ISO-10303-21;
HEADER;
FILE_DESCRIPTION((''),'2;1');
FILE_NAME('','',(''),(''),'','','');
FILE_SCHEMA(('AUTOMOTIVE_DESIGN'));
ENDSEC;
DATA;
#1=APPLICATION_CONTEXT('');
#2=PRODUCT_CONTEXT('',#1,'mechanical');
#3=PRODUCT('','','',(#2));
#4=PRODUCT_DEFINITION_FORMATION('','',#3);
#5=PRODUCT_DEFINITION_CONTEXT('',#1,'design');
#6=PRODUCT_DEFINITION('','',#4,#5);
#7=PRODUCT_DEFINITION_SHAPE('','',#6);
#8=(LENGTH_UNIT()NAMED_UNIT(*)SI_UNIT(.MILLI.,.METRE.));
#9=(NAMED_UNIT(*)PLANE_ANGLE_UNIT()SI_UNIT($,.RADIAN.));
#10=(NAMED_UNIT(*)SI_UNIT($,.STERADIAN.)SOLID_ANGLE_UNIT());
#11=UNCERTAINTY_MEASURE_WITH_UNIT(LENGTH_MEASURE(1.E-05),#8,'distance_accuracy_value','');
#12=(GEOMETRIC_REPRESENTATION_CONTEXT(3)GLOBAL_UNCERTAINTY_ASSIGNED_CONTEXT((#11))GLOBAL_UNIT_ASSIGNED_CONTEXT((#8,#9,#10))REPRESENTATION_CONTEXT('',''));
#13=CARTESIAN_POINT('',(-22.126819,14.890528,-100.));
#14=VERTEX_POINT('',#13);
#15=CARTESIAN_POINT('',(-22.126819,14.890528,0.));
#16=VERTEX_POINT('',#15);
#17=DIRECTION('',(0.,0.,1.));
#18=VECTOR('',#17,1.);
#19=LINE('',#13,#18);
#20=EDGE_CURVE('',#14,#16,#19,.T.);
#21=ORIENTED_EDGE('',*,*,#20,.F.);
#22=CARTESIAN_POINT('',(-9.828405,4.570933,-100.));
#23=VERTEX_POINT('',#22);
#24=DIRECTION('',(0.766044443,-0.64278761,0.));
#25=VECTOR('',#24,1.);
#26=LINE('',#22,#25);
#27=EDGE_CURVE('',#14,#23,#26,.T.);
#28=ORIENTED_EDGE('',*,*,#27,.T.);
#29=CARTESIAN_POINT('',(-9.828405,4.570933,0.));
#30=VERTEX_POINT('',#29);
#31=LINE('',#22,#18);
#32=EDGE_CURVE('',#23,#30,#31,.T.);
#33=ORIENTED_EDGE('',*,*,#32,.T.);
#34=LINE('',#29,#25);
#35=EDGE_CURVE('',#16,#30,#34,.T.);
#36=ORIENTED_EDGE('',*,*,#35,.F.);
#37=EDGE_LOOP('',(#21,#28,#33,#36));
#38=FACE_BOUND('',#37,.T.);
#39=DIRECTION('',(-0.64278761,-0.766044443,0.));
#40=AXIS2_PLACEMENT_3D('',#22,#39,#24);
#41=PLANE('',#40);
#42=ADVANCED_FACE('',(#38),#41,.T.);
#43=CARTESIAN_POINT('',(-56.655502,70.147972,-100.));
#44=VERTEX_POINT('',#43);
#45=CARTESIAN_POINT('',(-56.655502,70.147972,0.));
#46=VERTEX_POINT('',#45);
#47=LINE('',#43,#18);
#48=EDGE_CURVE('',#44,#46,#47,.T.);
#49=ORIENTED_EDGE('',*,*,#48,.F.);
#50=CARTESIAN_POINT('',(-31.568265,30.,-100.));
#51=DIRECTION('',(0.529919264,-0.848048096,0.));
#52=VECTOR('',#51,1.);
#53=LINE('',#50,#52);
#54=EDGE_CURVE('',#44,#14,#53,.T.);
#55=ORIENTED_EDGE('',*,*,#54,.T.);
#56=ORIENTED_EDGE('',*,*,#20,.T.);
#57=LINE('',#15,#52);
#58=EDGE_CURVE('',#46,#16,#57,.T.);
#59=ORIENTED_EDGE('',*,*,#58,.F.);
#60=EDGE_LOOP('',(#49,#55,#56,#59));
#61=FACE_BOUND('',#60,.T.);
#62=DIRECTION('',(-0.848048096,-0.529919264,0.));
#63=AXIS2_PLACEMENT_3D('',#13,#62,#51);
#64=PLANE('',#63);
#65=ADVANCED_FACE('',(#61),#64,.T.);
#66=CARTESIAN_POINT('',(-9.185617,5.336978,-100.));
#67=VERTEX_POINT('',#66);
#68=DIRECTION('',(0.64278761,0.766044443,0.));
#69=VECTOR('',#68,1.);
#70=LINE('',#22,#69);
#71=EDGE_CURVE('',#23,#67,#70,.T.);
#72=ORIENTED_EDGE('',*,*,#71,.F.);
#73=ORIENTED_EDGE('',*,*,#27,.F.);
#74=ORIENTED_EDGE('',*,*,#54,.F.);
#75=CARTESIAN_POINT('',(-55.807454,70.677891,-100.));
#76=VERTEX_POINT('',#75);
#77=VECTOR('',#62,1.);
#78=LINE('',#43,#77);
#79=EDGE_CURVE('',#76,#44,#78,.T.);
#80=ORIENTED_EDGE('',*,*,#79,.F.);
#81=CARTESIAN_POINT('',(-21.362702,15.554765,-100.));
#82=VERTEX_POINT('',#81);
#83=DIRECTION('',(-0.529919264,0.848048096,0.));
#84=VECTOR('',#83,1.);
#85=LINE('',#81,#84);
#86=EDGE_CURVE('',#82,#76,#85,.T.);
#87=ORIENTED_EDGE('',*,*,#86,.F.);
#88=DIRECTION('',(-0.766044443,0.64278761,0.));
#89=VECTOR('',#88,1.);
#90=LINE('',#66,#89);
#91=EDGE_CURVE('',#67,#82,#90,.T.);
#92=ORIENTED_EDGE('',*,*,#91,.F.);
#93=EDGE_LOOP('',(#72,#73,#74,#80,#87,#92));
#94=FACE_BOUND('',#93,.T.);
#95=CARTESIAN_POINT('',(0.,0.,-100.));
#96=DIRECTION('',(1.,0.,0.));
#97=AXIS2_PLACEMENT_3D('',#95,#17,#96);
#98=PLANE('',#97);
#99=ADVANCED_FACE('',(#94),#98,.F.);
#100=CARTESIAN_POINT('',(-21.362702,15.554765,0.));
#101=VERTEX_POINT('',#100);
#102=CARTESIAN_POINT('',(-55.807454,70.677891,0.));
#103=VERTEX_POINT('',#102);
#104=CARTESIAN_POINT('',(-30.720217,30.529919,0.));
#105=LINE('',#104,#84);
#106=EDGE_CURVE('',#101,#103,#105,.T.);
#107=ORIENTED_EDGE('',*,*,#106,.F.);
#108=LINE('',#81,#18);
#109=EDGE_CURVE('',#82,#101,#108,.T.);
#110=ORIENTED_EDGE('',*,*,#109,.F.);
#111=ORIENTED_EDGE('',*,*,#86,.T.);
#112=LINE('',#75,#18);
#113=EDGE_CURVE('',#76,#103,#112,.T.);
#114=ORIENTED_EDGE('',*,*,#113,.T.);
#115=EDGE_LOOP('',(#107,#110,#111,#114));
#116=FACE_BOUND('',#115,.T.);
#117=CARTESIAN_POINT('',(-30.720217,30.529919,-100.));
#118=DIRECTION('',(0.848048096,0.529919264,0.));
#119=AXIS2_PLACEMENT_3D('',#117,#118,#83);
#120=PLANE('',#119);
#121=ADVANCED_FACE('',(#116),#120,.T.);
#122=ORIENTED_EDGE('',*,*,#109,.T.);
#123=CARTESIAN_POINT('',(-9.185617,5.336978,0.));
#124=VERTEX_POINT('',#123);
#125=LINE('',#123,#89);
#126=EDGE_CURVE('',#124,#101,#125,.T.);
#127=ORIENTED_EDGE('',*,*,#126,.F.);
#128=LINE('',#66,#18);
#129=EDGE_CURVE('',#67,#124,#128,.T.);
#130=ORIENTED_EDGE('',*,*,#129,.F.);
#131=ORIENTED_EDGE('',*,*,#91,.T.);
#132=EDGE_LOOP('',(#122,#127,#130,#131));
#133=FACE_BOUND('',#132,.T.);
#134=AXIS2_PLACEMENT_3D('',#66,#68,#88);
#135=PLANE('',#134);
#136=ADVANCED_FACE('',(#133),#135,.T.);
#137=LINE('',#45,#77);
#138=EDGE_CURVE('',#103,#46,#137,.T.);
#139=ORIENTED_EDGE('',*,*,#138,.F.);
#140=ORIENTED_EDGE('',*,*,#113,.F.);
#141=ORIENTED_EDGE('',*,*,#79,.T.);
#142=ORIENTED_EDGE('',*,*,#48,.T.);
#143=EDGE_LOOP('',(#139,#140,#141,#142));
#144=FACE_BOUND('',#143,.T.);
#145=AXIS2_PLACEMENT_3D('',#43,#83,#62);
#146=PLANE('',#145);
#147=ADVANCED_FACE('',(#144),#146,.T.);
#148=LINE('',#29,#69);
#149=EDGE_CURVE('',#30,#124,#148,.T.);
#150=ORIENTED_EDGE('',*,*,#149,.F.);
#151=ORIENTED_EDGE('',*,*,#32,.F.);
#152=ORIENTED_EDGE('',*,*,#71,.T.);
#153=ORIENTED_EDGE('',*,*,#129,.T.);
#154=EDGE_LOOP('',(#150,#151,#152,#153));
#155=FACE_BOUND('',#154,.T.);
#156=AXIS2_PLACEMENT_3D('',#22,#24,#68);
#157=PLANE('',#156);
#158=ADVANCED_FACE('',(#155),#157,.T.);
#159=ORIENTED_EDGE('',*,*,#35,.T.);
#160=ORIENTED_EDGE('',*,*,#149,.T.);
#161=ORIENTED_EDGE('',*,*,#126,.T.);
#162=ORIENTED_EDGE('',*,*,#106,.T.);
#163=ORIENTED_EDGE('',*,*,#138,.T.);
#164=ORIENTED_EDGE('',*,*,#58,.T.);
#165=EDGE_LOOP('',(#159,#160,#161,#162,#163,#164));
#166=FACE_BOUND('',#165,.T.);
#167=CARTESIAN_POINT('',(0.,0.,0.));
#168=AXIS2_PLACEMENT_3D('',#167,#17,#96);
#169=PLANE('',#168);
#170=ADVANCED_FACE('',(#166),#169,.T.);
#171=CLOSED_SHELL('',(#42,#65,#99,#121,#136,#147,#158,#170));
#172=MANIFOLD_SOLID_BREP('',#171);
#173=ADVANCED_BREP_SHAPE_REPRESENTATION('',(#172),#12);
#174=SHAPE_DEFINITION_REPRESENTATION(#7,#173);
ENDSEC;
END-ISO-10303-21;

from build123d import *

# Parameters (mm, degrees)
RESSALTO_EXTRUS_O1_DEPTH = 100


with BuildPart() as part:
    # Esboço1 → Ressalto-extrusão1 (new body)
    with BuildSketch(Plane.XY):
        Polygon((-9.828405069, 4.570933406), (-22.126818959, 14.890527965), (-31.568264957, 30), (-56.655502101, 70.147971839), (-55.807454005, 70.677891103), (-30.720216861, 30.529919264), (-21.362701829, 15.554764853), (-9.18561746, 5.336977849), align=None)
    extrude(amount=-RESSALTO_EXTRUS_O1_DEPTH)


solid = part.part
